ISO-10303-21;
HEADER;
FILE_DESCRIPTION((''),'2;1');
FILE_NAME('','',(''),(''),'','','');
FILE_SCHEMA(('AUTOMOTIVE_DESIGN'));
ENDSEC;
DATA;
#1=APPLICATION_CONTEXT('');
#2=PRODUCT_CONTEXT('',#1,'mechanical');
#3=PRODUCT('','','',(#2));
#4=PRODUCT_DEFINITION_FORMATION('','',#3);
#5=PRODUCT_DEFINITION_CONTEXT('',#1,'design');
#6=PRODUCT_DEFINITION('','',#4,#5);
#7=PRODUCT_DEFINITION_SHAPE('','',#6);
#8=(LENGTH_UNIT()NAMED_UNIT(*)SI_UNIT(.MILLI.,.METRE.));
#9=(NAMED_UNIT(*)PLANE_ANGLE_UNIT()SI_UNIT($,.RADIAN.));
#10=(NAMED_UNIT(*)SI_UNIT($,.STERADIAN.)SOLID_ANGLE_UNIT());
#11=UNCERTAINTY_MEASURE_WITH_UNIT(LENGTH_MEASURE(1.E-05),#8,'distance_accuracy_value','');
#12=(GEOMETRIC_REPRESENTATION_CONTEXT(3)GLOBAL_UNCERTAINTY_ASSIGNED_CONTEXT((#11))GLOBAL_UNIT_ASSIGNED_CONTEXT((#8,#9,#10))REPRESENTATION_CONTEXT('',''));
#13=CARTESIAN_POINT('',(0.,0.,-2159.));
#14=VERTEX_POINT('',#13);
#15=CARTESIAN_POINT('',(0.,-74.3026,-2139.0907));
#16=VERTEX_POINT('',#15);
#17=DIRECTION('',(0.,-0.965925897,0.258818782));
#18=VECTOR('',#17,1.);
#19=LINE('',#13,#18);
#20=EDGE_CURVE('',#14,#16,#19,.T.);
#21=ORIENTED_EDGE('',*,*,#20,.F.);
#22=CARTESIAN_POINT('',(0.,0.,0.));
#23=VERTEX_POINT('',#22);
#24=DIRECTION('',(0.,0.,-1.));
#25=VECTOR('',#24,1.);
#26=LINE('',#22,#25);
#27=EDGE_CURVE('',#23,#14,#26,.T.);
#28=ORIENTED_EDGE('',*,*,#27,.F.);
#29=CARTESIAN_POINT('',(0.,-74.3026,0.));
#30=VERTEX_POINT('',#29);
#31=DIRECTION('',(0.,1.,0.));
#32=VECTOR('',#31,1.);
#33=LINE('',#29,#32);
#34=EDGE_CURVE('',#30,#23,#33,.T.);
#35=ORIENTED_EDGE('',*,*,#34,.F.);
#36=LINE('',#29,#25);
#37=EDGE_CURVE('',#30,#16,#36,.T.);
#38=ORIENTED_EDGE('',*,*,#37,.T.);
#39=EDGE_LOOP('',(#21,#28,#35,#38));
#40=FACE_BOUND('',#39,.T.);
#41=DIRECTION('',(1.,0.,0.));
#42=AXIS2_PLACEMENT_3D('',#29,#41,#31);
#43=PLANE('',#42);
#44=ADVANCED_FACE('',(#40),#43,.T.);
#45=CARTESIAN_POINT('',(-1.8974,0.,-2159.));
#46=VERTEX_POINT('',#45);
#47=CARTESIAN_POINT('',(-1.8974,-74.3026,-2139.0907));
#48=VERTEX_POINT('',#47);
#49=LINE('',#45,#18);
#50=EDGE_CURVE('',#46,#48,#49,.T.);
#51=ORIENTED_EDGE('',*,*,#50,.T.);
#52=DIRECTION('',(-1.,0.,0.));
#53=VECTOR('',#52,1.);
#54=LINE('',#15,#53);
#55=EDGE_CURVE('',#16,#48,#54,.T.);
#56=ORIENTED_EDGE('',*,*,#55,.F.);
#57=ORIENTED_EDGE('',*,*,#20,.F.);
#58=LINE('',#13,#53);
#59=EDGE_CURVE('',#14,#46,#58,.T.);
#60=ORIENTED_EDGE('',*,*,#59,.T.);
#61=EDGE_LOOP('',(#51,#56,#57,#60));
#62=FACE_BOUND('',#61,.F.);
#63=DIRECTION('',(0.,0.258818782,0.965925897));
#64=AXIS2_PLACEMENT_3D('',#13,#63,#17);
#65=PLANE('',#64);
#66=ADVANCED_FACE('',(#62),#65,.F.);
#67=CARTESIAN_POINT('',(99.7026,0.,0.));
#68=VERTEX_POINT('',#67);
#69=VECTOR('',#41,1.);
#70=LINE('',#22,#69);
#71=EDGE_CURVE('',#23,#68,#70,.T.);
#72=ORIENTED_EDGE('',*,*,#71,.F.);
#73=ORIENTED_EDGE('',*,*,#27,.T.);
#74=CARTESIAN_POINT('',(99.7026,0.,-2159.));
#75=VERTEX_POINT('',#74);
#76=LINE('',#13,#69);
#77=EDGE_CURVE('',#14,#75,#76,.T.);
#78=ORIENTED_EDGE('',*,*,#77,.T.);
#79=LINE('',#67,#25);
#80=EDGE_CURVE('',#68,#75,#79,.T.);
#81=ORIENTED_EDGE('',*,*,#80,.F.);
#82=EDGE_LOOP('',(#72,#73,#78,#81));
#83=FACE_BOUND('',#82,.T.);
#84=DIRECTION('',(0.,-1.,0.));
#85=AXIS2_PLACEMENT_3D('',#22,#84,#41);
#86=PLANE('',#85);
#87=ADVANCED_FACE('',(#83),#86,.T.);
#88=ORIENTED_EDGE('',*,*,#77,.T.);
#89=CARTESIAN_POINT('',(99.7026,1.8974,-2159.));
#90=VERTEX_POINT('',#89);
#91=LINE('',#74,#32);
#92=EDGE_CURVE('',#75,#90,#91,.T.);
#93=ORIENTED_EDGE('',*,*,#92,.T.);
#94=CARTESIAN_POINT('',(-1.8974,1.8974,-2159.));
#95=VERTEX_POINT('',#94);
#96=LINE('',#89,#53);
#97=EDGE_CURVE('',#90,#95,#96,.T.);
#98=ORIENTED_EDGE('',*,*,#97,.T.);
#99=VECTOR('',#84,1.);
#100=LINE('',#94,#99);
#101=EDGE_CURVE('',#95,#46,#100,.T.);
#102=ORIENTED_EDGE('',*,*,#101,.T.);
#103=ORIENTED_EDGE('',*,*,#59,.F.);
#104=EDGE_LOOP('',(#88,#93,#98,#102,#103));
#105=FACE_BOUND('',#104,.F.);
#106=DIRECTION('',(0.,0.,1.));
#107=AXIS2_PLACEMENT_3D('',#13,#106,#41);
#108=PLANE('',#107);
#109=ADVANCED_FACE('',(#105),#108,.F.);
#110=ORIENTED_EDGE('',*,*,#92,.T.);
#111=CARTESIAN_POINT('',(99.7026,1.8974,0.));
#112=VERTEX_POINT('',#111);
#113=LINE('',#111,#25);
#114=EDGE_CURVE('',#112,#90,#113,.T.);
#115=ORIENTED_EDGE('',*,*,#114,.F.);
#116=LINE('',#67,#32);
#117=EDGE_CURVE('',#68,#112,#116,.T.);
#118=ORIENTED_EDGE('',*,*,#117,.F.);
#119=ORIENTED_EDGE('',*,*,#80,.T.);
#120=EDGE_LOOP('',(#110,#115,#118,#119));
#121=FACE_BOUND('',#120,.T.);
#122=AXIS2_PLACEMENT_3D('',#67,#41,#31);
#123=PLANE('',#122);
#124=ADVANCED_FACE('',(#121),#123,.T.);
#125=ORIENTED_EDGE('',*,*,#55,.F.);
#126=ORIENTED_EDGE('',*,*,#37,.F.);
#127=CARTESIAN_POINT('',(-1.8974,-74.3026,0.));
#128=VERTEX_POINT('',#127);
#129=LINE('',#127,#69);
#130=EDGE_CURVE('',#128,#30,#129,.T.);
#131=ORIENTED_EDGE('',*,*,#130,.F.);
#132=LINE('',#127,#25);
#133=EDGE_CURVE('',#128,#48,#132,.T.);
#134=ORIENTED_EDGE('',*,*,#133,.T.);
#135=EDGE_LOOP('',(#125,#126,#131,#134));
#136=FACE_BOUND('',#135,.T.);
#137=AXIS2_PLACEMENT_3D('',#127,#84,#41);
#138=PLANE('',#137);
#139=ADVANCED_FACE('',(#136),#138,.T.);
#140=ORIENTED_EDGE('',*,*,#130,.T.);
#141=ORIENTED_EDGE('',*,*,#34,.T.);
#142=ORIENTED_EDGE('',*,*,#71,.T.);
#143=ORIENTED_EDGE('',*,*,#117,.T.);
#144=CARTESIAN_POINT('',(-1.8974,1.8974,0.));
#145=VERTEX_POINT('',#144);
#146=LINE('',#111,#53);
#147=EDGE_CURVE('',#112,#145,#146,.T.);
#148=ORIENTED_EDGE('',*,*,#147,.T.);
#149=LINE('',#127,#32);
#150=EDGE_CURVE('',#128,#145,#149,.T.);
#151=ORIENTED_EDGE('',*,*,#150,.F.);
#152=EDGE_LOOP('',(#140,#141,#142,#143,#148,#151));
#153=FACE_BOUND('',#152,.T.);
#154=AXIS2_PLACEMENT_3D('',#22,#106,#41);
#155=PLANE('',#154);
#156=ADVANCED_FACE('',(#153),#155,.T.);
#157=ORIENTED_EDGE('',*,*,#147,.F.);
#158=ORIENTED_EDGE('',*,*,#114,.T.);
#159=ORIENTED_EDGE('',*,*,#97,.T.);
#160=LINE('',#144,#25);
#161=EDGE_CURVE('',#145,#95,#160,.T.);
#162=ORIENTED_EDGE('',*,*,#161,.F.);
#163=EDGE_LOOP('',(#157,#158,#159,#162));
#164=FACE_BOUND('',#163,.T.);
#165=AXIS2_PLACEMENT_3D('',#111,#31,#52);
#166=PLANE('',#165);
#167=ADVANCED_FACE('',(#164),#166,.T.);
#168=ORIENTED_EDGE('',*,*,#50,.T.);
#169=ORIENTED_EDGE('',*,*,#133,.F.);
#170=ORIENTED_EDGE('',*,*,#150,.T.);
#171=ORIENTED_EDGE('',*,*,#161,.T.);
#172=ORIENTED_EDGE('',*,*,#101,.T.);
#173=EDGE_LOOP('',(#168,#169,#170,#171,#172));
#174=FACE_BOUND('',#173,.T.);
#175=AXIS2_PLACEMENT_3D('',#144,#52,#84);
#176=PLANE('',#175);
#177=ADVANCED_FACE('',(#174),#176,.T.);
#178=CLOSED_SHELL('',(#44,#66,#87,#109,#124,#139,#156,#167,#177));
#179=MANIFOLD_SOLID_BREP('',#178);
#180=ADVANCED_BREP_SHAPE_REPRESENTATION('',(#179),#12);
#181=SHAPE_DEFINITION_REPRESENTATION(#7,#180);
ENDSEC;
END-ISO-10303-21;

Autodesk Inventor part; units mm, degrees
ref_plane "YZ Plane" through (0, 0, 0) normal (1, 0, 0) x (0, 1, 0)
ref_plane "XZ Plane" through (0, 0, 0) normal (0, 1, 0) x (-1, 0, 0)
ref_plane "XY Plane" through (0, 0, 0) normal (0, 0, 1) x (1, 0, 0)
sketch "Sketch1" plane through (0, 0, 0) normal (0, 0, 1) x (1, 0, 0)
  line L0 (-1.8974, -23.3494) -> (-1.8974, -74.3026)
  line L1 (-1.8974, -74.3026) -> (0, -74.3026)
  line L2 (0, -74.3026) -> (0, 0)
  line L3 (0, 0) -> (99.7026, 0)
  line L4 (99.7026, 0) -> (99.7026, 1.8974)
  line L5 (99.7026, 1.8974) -> (-1.8974, 1.8974)
  line L6 (-1.8974, 1.8974) -> (-1.8974, -23.3494)
  dimension "d0" = 101.6
  dimension "d1" = 76.2
  dimension "d2" = 1.8974
  dimension "d3" = 1.8974
extrude "Extrusion1" add sketch "Sketch1" against normal blind 2159
sketch "Sketch2" plane through (0, -74.3026, 0) normal (1, 0, 0) x (0, 0, -1)
  line L0 (2159, 74.3026) -> (2159, 0) projected
  line L1 (2159, 74.3026) -> (2139.0907, 0)
  line L2 (0, 0) -> (2159, 0) projected
  line L3 (2139.0907, 0) -> (2159, 0)
  line L4 (2159, 0) -> (2159, 74.3026)
  point P0 (0, 74.3026)
  dimension "d9" = 15
extrude "Extrusion3" cut sketch "Sketch2" against normal up to next
properties part number "Angle--Back"
